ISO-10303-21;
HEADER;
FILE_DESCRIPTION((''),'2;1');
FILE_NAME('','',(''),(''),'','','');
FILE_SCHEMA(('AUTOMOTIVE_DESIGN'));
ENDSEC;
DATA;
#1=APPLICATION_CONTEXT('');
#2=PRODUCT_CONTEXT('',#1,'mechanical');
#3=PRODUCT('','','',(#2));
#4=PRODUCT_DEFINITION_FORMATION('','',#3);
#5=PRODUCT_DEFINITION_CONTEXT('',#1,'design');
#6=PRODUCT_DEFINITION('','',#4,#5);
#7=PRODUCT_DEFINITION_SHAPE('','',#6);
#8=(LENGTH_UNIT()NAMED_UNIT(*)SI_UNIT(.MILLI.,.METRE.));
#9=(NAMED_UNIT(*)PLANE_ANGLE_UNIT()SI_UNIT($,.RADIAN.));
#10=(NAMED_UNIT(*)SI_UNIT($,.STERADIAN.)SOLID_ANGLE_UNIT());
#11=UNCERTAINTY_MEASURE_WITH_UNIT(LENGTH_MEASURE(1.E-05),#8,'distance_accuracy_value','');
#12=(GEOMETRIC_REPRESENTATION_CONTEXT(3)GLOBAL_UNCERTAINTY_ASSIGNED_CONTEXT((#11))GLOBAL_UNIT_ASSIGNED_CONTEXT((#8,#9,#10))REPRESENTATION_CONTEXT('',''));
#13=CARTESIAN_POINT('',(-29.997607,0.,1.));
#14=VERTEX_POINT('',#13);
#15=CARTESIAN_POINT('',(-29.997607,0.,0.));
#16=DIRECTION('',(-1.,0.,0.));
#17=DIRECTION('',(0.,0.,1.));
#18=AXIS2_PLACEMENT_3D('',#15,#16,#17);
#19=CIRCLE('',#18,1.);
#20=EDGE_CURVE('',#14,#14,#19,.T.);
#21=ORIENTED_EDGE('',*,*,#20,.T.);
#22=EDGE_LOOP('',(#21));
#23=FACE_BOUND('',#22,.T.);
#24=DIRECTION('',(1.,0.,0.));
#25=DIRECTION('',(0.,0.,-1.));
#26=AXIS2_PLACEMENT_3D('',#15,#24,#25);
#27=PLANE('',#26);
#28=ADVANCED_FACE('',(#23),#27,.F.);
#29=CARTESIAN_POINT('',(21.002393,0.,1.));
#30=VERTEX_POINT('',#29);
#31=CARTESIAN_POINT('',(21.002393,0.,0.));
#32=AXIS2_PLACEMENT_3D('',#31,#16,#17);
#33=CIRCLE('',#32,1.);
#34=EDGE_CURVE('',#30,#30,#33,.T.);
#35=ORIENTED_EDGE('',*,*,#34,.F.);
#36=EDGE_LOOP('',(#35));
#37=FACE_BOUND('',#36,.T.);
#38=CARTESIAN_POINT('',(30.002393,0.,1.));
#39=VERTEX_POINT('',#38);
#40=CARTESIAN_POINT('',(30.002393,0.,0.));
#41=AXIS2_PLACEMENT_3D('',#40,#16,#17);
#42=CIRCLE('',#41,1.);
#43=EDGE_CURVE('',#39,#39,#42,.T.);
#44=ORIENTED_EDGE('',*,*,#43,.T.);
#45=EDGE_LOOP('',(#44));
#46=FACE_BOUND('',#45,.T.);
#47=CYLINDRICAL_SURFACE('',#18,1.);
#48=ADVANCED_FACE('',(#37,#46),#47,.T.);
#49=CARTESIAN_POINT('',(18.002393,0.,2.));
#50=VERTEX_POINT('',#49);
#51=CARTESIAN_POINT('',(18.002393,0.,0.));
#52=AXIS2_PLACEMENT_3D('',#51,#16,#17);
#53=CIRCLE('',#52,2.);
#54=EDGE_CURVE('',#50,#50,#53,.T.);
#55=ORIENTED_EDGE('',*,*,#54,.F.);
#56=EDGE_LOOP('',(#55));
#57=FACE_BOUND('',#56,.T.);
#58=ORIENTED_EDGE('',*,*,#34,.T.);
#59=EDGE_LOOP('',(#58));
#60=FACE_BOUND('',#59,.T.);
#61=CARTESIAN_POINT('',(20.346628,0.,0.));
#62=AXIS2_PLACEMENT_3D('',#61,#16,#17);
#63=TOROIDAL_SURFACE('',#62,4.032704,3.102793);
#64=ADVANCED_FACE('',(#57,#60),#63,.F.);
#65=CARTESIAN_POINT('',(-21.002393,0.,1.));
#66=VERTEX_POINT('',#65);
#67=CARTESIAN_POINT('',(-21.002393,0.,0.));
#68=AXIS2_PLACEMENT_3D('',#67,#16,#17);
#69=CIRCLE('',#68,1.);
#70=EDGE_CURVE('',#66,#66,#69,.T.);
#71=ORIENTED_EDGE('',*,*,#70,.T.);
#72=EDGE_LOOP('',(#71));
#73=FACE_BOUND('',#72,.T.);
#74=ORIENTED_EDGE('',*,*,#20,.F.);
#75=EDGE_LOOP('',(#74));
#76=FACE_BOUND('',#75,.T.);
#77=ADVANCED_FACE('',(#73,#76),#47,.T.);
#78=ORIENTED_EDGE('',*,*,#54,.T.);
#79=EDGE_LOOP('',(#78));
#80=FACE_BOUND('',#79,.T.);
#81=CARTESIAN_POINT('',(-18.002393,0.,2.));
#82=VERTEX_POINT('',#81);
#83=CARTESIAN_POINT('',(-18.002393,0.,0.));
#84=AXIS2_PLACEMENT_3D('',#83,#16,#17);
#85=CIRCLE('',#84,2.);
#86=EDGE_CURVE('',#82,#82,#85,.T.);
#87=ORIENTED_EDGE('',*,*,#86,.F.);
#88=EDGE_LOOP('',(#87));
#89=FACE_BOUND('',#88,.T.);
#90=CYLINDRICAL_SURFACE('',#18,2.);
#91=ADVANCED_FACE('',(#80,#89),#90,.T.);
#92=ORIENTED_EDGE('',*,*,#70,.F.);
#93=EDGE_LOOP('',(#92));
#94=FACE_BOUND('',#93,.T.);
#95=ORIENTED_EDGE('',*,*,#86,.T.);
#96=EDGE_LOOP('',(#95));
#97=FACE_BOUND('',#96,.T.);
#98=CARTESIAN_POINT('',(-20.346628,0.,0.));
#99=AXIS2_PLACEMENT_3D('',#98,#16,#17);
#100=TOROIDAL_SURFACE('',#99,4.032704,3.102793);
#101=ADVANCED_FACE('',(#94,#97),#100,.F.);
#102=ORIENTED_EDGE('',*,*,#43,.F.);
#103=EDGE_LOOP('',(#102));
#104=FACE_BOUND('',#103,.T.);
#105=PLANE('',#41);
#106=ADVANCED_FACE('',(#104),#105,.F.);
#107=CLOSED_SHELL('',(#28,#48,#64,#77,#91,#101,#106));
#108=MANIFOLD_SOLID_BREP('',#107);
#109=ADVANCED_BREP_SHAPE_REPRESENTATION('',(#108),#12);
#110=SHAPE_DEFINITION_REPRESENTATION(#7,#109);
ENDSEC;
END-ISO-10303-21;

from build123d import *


with BuildPart() as part:
    # Sketch1 → Revolve1 (revolve)
    with BuildSketch(Plane(origin=(0, 0, 0), x_dir=(1, 0, 0), z_dir=(0, 1, 0)), mode=Mode.PRIVATE) as revolve1_sk:
        with BuildLine():
            Line((-29.997607303, 0), (30.002392697, 0))
            Line((30.002392697, 0), (30.002392697, 1))
            Line((30.002392697, 1), (21.002392697, 1))
            ThreePointArc((21.002392697, 1), (19.365438223, 1.089136578), (18.002392697, 2))
            Line((18.002392697, 2), (-18.002392697, 2))
            ThreePointArc((-18.002392697, 2), (-19.365438223, 1.089136578), (-21.002392697, 1))
            Line((-21.002392697, 1), (-29.997607303, 1))
            Line((-29.997607303, 1), (-29.997607303, 0))
        make_face()
    revolve(revolve1_sk.sketch.rotate(Axis((-29.997607303, 0, 0), (1, 0, 0)), 180), axis=Axis((-29.997607303, 0, 0), (1, 0, 0)))


solid = part.part
